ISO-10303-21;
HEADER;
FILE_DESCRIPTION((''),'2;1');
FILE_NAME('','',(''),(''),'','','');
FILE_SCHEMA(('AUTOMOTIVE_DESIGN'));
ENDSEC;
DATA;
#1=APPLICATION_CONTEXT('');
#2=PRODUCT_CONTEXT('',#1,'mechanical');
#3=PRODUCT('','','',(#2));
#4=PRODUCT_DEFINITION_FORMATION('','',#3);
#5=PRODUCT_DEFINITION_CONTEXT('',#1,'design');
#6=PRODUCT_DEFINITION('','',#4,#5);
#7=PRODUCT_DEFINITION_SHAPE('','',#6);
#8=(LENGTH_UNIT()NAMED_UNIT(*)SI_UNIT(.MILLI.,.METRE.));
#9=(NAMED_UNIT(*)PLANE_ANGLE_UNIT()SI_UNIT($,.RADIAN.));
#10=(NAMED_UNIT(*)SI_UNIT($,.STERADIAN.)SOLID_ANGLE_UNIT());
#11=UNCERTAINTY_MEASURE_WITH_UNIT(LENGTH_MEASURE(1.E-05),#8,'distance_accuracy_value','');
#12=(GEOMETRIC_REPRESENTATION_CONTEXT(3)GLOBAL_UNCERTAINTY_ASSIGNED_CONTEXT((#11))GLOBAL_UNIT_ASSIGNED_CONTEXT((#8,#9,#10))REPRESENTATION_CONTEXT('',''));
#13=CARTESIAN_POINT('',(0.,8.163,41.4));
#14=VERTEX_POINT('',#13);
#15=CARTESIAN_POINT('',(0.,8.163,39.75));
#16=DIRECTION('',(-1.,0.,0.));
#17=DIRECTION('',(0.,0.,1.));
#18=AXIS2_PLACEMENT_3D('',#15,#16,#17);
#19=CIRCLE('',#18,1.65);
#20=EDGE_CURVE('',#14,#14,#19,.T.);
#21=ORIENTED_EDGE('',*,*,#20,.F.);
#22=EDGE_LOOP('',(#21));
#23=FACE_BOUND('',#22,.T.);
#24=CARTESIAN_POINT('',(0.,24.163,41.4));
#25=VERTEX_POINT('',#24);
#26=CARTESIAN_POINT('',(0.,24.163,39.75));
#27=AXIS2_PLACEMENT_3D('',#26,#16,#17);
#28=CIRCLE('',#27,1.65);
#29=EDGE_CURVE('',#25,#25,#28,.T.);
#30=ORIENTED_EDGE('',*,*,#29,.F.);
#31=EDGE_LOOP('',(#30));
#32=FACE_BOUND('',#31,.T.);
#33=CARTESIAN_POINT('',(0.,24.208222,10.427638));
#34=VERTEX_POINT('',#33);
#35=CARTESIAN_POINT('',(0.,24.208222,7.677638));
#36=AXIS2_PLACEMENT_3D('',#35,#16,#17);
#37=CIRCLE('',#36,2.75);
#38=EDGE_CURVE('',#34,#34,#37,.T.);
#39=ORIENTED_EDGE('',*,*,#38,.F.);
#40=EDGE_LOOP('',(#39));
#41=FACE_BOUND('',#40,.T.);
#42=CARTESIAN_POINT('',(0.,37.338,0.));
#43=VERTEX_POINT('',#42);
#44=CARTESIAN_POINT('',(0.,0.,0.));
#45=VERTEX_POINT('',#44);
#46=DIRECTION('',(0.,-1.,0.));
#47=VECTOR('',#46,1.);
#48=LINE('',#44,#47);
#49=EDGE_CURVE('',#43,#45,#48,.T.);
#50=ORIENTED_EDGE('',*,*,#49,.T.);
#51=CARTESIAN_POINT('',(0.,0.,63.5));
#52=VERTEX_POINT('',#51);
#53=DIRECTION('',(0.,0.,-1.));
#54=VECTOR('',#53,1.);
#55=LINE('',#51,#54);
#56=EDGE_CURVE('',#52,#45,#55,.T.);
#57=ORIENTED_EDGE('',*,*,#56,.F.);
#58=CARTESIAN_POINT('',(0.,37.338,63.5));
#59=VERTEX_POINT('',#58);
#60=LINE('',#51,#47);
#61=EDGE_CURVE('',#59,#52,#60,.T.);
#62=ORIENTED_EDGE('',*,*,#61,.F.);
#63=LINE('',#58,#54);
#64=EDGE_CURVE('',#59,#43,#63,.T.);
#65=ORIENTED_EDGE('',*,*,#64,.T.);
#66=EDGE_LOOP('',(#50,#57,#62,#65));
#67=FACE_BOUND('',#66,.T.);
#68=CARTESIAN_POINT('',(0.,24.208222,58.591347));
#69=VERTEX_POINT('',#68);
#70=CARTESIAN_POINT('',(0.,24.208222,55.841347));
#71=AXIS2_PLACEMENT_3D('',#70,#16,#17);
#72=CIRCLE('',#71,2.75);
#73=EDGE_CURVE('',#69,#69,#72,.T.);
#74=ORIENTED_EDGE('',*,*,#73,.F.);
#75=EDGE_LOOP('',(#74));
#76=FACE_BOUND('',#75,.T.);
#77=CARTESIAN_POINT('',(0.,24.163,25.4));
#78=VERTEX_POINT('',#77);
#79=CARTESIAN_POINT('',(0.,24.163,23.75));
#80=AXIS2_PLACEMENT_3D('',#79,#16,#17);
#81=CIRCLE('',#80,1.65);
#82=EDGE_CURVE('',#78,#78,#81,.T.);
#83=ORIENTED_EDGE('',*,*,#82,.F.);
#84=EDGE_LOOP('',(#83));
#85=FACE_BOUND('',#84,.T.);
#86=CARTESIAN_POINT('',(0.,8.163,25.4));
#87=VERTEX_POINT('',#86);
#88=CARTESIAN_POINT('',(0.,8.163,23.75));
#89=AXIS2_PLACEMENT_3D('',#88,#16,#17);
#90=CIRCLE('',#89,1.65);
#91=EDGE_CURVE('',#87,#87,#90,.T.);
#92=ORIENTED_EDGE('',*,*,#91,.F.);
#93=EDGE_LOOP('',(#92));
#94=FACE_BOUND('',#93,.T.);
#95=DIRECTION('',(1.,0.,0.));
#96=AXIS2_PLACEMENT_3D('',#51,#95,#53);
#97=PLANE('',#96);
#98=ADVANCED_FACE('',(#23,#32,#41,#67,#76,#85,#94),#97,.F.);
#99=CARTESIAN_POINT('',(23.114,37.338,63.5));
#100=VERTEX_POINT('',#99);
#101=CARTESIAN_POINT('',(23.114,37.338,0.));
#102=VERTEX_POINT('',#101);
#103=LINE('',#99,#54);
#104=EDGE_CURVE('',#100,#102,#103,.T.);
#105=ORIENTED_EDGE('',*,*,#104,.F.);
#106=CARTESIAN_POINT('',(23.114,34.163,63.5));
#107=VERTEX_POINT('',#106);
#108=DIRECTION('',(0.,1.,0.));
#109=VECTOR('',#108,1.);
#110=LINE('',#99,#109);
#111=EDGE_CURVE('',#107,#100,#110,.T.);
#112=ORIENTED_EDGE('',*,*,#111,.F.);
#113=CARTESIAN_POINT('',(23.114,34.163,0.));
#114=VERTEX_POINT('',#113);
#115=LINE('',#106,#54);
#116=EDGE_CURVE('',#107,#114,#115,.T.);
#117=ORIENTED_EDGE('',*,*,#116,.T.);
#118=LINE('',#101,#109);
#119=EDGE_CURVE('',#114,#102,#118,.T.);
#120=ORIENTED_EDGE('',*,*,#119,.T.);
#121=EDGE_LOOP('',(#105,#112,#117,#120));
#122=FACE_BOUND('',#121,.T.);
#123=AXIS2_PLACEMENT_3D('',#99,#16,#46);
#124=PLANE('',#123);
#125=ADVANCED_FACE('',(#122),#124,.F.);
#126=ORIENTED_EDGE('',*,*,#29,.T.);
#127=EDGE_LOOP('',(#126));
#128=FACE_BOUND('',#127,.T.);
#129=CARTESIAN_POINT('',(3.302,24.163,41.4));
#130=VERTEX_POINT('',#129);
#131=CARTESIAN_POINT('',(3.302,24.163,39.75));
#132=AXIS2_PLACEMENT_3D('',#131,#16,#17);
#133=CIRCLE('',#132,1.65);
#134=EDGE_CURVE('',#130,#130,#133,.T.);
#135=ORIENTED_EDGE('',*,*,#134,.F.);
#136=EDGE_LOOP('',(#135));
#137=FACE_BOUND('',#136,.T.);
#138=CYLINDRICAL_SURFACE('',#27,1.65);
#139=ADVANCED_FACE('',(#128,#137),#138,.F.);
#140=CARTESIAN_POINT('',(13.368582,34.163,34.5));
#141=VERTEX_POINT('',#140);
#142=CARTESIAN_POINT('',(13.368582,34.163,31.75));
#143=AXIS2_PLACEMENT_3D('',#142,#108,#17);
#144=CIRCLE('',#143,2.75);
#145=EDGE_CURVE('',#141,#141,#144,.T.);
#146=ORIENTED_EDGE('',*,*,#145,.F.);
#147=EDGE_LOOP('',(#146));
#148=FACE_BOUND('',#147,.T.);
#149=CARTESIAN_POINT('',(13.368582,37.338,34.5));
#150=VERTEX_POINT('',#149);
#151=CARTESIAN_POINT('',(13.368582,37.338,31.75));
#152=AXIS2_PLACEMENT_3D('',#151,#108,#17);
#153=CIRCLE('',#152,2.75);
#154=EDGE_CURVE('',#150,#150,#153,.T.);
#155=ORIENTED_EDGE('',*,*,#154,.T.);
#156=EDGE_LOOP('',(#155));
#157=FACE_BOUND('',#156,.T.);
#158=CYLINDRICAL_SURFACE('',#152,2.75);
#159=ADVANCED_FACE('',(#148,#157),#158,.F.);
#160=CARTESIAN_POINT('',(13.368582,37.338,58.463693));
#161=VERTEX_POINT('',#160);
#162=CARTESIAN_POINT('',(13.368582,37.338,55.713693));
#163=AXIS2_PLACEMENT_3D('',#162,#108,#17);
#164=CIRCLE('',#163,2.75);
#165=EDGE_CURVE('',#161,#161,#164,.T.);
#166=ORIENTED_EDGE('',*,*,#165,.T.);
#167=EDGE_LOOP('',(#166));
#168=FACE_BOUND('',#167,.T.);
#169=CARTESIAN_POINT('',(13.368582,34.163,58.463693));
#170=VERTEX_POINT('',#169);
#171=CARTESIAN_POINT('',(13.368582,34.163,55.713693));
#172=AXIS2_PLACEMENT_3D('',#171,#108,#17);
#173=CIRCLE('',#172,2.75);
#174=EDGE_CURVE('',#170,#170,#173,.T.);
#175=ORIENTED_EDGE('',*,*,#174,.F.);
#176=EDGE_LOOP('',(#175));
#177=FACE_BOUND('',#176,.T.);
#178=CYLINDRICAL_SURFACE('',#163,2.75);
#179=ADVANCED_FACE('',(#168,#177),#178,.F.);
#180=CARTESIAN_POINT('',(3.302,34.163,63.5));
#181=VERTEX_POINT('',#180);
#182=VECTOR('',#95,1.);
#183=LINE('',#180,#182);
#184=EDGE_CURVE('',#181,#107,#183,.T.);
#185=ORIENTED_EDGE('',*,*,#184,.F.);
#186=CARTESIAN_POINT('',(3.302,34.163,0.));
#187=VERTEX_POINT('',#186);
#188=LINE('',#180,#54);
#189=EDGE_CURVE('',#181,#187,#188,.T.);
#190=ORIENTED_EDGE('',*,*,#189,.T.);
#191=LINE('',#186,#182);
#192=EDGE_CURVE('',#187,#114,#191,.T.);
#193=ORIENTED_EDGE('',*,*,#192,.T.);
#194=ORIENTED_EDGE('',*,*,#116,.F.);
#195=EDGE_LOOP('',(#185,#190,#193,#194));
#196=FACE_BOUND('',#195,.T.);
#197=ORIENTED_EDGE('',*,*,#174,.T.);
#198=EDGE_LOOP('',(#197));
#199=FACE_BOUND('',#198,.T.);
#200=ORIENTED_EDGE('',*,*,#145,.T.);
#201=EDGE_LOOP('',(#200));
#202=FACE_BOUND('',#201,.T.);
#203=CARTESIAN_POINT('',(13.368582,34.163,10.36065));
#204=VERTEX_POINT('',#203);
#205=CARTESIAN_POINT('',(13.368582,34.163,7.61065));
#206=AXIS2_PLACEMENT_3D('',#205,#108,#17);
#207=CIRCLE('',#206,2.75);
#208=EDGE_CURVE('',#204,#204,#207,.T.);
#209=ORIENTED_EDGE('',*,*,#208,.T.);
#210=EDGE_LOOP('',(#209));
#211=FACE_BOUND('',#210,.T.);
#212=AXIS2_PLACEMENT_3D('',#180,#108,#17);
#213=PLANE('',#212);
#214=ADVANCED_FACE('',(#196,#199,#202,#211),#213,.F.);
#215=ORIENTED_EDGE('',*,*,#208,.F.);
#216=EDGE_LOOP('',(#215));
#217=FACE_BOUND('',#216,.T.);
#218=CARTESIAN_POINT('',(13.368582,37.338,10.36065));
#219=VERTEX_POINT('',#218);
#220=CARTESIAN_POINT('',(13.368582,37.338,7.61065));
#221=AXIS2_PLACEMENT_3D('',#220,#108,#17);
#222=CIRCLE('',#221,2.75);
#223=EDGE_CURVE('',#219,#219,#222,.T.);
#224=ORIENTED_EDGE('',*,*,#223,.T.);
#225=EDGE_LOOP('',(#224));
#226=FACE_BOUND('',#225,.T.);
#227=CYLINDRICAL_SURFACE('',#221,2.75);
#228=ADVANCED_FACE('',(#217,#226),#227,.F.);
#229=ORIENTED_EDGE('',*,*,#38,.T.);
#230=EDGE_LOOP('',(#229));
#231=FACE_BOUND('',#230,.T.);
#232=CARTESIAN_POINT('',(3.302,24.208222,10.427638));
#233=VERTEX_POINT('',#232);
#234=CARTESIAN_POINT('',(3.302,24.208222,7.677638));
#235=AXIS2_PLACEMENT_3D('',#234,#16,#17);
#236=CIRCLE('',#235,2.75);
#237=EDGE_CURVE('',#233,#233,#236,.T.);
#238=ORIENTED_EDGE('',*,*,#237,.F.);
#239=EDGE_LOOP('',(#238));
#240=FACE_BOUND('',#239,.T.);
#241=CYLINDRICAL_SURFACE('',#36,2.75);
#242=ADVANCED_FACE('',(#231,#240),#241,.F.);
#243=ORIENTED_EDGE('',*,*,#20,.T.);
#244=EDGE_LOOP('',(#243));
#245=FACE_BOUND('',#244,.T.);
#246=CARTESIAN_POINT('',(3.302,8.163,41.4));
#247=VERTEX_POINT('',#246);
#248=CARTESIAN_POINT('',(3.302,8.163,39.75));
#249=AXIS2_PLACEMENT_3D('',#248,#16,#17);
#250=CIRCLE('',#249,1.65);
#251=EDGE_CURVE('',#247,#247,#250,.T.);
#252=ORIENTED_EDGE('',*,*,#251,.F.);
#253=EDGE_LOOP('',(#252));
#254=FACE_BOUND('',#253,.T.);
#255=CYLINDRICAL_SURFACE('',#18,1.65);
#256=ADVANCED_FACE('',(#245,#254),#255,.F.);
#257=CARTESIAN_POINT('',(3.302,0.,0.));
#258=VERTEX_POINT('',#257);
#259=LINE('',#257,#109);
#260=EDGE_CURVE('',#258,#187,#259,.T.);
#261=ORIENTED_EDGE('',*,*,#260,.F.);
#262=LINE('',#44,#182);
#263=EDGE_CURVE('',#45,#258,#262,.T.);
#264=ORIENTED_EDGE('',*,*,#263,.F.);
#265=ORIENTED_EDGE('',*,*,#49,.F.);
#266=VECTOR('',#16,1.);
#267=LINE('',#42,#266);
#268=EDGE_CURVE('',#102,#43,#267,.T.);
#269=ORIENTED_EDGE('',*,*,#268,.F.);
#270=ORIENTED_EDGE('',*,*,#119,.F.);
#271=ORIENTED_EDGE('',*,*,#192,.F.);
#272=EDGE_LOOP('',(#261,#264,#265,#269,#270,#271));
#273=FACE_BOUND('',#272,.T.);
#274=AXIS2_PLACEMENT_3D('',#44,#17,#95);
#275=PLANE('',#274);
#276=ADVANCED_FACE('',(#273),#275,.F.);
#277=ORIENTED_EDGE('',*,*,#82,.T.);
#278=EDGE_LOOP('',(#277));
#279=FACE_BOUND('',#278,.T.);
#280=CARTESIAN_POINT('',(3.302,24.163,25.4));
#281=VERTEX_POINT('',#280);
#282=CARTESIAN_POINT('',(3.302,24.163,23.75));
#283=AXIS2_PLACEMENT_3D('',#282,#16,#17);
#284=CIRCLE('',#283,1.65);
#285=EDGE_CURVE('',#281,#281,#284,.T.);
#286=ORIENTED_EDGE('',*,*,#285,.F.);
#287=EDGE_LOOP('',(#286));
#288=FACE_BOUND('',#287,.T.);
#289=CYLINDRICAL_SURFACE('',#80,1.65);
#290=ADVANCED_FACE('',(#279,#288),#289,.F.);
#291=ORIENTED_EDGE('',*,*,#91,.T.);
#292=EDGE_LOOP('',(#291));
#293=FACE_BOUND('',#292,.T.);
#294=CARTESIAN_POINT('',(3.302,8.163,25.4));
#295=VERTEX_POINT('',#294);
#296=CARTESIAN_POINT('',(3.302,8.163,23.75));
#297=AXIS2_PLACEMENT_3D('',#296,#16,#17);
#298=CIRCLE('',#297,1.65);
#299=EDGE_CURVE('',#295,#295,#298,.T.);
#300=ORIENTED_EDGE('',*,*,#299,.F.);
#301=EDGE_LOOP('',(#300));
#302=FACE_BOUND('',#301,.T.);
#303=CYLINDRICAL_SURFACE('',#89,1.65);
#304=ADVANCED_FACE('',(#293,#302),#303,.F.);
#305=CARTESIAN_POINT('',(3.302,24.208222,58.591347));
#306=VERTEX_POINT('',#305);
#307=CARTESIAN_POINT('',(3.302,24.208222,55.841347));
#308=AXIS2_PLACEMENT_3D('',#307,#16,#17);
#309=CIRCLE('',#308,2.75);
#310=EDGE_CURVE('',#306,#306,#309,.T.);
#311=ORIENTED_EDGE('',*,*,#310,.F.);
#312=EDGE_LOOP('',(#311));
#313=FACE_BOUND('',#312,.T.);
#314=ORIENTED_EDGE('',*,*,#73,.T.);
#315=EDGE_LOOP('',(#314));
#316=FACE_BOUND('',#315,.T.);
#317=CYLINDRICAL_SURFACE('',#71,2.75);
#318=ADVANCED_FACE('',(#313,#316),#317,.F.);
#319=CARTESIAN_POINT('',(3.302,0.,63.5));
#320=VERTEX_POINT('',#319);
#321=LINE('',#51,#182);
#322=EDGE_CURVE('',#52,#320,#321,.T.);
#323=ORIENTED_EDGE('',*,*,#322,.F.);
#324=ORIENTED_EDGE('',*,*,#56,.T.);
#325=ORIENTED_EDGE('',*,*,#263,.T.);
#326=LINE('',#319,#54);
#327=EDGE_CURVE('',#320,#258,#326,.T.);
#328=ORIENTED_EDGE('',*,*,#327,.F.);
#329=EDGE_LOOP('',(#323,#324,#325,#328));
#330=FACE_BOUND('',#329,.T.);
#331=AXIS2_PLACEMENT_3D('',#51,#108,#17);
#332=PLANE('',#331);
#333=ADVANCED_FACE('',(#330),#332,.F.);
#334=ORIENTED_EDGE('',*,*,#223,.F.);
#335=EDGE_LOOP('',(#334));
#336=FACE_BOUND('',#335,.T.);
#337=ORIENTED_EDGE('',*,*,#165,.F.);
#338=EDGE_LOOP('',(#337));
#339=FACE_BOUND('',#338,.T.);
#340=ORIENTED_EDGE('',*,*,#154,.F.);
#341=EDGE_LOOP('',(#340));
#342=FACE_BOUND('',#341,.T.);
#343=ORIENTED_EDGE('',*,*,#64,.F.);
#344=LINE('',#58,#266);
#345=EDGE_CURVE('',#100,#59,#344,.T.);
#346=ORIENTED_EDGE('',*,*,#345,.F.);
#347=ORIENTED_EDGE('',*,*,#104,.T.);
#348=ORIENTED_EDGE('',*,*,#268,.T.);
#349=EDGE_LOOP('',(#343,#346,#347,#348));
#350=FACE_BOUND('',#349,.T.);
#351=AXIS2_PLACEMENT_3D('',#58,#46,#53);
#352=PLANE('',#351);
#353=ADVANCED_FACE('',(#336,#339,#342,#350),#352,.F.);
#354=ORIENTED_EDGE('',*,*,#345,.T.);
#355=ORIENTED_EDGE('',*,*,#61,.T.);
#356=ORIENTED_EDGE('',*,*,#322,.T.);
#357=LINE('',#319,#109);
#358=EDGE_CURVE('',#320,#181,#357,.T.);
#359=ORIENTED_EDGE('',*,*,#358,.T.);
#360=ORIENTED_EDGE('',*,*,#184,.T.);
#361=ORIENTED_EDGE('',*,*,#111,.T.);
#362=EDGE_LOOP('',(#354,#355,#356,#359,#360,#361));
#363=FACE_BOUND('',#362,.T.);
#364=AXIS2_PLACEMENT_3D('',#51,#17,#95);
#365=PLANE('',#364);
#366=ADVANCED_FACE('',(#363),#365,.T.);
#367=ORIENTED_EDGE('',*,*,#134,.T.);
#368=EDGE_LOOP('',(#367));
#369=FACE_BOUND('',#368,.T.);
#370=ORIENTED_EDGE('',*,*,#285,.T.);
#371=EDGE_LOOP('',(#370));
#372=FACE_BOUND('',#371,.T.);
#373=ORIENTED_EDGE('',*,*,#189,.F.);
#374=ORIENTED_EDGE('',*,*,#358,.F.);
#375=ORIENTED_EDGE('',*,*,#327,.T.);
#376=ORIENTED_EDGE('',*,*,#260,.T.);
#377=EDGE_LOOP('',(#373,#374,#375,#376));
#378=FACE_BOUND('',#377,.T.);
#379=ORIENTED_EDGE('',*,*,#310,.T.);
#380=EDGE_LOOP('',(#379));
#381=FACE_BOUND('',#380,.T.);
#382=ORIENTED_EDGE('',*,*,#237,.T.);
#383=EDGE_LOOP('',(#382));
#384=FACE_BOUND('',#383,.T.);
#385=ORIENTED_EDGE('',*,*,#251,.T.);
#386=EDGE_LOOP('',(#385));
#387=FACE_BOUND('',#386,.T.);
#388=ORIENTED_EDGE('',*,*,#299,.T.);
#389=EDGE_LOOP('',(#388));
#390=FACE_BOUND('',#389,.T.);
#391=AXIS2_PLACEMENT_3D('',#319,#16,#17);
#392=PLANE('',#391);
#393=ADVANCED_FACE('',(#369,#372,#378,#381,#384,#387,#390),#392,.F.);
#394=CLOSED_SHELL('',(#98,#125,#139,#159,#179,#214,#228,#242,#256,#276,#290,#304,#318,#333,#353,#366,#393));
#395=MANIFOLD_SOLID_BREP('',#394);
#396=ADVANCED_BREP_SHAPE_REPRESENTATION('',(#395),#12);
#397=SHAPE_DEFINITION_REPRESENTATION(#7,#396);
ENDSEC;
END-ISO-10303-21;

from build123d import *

# Parameters (mm, degrees)
BOSS_EXTRUDE1_DEPTH         = 63.5
M5_CLEARANCE_HOLE1_D        = 5.5
M5_CLEARANCE_HOLE2_D        = 5.5
M5_CLEARANCE_HOLE3_D        = 5.5
M5_CLEARANCE_HOLE4_D        = 5.5
M5_CLEARANCE_HOLE5_D        = 5.5
TAP_DRILL_FOR_M4X0_7_TAP2_D = 3.3


with BuildPart() as part:
    # Sketch1 → Boss-Extrude1 (new body)
    with BuildSketch(Plane.XY):
        Polygon((0, 0), (0, 37.338), (23.114, 37.338), (23.114, 34.163), (3.302, 34.163), (3.302, 0), align=None)
    extrude(amount=BOSS_EXTRUDE1_DEPTH)

    # M5 Clearance Hole1 (through all)
    with Locations(Plane.ZY):
        with Locations((55.84134748, 24.208221519)):
            Hole(M5_CLEARANCE_HOLE1_D / 2)

    # M5 Clearance Hole2 (through all)
    with Locations(Plane.ZY):
        with Locations((7.677638483, 24.208221519)):
            Hole(M5_CLEARANCE_HOLE2_D / 2)

    # M5 Clearance Hole3 (through all)
    with Locations(Plane(origin=(0, 37.338, 0), x_dir=(1, 0, 0), z_dir=(0, 1, 0))):
        with Locations((13.368582087, -31.75)):
            Hole(M5_CLEARANCE_HOLE3_D / 2)

    # M5 Clearance Hole4 (through all)
    with Locations(Plane(origin=(0, 37.338, 0), x_dir=(1, 0, 0), z_dir=(0, 1, 0))):
        with Locations((13.368582087, -55.713693276)):
            Hole(M5_CLEARANCE_HOLE4_D / 2)

    # M5 Clearance Hole5 (through all)
    with Locations(Plane(origin=(0, 37.338, 0), x_dir=(1, 0, 0), z_dir=(0, 1, 0))):
        with Locations((13.368582087, -7.610649616)):
            Hole(M5_CLEARANCE_HOLE5_D / 2)

    # Tap Drill for M4x0.7 Tap2 (through all)
    with Locations(Plane.ZY):
        with Locations((23.75, 24.163), (23.75, 8.163), (39.75, 8.163), (39.75, 24.163)):
            Hole(TAP_DRILL_FOR_M4X0_7_TAP2_D / 2)


solid = part.part
